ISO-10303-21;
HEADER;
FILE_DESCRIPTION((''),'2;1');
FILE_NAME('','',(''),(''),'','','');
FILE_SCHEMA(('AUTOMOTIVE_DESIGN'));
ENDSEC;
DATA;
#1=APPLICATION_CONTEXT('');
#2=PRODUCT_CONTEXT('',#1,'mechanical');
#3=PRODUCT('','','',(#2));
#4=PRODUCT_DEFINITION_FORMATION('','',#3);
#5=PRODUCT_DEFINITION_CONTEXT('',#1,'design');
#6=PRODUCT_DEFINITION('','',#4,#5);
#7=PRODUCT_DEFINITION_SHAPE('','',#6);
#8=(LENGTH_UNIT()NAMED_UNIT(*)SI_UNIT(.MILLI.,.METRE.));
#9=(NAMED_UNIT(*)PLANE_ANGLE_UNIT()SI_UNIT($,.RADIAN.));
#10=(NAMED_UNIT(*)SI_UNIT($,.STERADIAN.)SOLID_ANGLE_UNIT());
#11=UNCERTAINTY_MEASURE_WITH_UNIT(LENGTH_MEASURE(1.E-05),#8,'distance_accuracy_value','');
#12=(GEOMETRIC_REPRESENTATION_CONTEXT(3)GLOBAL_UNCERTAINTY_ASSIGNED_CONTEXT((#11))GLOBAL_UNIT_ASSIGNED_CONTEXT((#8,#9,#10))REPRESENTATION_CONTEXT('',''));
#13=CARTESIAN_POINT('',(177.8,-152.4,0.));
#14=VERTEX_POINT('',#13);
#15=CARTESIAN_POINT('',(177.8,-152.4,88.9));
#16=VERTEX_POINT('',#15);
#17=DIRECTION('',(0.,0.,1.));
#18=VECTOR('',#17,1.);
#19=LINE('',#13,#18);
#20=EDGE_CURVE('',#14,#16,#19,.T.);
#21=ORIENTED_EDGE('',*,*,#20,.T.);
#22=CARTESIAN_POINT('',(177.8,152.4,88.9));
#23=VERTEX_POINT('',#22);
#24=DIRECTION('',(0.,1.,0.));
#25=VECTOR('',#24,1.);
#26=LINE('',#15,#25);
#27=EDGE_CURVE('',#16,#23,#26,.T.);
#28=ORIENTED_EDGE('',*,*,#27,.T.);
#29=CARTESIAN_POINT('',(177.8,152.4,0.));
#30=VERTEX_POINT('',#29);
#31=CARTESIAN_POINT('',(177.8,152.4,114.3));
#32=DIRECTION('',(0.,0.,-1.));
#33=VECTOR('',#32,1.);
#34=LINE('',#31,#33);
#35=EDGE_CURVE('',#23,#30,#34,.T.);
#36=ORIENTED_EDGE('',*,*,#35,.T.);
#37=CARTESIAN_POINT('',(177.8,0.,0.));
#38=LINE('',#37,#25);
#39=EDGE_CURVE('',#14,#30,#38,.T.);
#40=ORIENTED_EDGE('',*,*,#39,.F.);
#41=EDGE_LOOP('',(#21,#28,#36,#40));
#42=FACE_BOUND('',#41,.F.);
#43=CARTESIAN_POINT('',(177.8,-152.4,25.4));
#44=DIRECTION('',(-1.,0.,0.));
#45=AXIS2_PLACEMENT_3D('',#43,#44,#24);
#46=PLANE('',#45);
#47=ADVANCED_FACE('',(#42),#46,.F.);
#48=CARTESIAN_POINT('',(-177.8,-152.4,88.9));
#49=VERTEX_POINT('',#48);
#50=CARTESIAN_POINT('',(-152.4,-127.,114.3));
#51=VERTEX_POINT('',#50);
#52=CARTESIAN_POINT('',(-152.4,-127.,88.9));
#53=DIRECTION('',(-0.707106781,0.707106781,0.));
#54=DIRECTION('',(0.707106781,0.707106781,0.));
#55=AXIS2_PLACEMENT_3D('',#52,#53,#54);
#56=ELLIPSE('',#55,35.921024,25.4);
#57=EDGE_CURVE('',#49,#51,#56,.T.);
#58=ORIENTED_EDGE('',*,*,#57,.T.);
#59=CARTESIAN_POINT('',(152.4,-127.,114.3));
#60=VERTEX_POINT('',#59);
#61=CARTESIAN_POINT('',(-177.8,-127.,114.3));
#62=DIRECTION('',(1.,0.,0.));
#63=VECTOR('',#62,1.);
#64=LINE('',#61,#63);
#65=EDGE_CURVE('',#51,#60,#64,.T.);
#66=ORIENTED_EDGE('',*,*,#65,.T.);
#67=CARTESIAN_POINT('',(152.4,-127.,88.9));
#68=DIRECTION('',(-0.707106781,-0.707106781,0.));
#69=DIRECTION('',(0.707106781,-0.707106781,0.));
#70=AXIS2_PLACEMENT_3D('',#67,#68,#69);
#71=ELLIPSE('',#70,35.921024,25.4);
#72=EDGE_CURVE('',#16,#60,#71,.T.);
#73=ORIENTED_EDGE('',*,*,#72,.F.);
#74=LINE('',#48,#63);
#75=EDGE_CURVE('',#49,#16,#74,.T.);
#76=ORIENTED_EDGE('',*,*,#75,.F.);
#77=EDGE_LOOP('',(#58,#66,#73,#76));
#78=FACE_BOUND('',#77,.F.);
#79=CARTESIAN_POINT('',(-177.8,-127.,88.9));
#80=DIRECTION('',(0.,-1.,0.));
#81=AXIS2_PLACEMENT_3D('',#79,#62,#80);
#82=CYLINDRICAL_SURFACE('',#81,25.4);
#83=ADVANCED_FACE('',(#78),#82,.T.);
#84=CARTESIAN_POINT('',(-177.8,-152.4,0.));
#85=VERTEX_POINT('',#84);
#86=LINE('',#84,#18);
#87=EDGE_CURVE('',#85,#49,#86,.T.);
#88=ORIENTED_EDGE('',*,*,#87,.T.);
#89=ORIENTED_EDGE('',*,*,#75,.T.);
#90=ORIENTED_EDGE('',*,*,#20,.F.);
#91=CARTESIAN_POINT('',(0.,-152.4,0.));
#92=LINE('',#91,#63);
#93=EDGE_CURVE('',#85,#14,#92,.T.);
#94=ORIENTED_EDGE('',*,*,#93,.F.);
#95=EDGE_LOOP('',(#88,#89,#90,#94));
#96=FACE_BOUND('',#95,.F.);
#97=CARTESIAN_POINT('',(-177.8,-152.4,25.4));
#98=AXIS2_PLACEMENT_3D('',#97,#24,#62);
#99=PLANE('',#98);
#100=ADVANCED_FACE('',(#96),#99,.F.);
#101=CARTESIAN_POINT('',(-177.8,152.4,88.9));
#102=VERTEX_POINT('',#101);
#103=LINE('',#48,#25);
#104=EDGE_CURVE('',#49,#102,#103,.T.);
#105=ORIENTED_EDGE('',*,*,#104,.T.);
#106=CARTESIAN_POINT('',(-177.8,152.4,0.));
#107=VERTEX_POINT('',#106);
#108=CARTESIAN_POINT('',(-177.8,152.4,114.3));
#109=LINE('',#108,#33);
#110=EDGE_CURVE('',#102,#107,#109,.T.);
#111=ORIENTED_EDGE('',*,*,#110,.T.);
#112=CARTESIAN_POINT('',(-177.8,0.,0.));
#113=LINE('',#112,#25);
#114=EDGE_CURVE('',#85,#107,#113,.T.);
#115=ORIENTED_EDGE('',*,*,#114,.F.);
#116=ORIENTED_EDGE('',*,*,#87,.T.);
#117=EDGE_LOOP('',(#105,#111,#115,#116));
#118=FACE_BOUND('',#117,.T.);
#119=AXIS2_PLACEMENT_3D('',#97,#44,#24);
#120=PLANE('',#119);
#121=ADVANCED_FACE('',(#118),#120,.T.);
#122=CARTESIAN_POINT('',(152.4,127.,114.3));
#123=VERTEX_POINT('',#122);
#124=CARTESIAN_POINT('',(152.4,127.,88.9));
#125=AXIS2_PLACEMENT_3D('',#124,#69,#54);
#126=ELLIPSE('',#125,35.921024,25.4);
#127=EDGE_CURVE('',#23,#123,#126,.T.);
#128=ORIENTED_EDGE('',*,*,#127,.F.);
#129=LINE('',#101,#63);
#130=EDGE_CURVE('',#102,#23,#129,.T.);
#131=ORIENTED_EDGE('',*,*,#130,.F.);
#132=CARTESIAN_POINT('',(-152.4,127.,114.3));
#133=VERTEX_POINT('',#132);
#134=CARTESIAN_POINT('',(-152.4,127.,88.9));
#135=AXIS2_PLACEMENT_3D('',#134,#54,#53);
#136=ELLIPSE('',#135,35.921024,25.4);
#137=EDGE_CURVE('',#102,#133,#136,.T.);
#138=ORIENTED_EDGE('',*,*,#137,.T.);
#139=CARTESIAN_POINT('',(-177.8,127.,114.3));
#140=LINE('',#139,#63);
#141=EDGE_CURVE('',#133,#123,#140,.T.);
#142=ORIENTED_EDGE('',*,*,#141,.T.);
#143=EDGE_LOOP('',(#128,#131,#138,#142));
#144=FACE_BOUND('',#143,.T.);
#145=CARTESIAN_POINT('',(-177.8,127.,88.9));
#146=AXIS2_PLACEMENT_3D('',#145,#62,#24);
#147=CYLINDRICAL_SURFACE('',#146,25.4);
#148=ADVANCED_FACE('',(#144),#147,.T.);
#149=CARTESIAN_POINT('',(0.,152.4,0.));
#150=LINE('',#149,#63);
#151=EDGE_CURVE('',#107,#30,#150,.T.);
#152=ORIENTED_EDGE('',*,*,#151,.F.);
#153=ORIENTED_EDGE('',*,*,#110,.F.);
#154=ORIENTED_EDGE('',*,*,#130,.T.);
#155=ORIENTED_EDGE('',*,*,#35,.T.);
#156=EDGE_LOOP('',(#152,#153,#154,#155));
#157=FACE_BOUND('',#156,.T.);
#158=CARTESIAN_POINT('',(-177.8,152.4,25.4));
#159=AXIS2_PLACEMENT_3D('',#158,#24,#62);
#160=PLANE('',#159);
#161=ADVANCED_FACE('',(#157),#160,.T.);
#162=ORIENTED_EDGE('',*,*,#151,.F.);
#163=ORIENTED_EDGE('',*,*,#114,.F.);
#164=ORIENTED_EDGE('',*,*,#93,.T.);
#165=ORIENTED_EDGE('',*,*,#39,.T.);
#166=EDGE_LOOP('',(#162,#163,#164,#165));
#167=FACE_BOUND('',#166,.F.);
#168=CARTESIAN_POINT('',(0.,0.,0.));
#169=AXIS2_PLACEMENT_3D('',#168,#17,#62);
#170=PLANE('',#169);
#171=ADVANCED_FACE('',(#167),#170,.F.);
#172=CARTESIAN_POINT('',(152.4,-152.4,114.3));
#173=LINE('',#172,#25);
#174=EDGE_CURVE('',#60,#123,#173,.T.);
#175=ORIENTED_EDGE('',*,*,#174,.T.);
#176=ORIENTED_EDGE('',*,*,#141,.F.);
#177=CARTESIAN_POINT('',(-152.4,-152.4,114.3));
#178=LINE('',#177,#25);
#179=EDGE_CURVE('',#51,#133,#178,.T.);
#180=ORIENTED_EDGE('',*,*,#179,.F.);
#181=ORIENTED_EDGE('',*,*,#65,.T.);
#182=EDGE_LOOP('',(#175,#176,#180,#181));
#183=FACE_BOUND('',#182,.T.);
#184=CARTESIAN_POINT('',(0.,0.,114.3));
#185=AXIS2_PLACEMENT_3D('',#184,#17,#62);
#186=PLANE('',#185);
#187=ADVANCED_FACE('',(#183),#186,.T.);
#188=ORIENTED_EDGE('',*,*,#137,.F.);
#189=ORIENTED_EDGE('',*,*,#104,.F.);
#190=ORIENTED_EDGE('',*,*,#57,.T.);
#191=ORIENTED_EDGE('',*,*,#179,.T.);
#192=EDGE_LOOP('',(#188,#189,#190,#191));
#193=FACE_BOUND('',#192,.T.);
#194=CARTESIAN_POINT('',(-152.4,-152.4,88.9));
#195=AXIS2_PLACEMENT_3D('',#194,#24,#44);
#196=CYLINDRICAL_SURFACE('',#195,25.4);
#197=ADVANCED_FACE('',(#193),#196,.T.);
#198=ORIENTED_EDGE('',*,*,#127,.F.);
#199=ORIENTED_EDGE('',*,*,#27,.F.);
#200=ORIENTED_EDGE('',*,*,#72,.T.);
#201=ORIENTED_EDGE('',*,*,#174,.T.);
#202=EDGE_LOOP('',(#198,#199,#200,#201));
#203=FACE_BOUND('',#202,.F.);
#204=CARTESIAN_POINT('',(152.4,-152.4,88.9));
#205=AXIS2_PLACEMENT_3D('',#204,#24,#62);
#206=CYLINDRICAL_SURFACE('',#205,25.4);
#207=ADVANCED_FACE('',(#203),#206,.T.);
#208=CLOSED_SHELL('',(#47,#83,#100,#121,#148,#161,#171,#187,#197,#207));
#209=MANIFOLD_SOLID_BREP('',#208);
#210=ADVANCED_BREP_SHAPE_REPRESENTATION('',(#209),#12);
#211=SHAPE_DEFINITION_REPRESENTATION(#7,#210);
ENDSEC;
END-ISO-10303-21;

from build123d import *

# Parameters (mm, degrees)
F0_W     = 355.6
F0_H     = 304.8
F1_DEPTH = 25.4
F2_W     = 355.6
F2_H     = 304.8
F3_DEPTH = 88.9
F4_R     = 25.4


with BuildPart() as f1:
    # F0 (on Top) → F1 (new body)
    with BuildSketch(Plane.XY):
        Rectangle(F0_W, F0_H)
    extrude(amount=F1_DEPTH)

    # F2 (on face) → F3 (join)
    with BuildSketch(Plane.XY.offset(25.4)):
        Rectangle(F2_W, F2_H)
    extrude(amount=F3_DEPTH)

    # F4
    f4_edges = [f1.edges().sort_by_distance(p)[0] for p in [
        (-177.8, 0, 114.3),
        (0, -152.4, 114.3),
        (177.8, 0, 114.3),
        (0, 152.4, 114.3),
    ]]
    fillet(f4_edges, radius=F4_R)


solid = f1.part
